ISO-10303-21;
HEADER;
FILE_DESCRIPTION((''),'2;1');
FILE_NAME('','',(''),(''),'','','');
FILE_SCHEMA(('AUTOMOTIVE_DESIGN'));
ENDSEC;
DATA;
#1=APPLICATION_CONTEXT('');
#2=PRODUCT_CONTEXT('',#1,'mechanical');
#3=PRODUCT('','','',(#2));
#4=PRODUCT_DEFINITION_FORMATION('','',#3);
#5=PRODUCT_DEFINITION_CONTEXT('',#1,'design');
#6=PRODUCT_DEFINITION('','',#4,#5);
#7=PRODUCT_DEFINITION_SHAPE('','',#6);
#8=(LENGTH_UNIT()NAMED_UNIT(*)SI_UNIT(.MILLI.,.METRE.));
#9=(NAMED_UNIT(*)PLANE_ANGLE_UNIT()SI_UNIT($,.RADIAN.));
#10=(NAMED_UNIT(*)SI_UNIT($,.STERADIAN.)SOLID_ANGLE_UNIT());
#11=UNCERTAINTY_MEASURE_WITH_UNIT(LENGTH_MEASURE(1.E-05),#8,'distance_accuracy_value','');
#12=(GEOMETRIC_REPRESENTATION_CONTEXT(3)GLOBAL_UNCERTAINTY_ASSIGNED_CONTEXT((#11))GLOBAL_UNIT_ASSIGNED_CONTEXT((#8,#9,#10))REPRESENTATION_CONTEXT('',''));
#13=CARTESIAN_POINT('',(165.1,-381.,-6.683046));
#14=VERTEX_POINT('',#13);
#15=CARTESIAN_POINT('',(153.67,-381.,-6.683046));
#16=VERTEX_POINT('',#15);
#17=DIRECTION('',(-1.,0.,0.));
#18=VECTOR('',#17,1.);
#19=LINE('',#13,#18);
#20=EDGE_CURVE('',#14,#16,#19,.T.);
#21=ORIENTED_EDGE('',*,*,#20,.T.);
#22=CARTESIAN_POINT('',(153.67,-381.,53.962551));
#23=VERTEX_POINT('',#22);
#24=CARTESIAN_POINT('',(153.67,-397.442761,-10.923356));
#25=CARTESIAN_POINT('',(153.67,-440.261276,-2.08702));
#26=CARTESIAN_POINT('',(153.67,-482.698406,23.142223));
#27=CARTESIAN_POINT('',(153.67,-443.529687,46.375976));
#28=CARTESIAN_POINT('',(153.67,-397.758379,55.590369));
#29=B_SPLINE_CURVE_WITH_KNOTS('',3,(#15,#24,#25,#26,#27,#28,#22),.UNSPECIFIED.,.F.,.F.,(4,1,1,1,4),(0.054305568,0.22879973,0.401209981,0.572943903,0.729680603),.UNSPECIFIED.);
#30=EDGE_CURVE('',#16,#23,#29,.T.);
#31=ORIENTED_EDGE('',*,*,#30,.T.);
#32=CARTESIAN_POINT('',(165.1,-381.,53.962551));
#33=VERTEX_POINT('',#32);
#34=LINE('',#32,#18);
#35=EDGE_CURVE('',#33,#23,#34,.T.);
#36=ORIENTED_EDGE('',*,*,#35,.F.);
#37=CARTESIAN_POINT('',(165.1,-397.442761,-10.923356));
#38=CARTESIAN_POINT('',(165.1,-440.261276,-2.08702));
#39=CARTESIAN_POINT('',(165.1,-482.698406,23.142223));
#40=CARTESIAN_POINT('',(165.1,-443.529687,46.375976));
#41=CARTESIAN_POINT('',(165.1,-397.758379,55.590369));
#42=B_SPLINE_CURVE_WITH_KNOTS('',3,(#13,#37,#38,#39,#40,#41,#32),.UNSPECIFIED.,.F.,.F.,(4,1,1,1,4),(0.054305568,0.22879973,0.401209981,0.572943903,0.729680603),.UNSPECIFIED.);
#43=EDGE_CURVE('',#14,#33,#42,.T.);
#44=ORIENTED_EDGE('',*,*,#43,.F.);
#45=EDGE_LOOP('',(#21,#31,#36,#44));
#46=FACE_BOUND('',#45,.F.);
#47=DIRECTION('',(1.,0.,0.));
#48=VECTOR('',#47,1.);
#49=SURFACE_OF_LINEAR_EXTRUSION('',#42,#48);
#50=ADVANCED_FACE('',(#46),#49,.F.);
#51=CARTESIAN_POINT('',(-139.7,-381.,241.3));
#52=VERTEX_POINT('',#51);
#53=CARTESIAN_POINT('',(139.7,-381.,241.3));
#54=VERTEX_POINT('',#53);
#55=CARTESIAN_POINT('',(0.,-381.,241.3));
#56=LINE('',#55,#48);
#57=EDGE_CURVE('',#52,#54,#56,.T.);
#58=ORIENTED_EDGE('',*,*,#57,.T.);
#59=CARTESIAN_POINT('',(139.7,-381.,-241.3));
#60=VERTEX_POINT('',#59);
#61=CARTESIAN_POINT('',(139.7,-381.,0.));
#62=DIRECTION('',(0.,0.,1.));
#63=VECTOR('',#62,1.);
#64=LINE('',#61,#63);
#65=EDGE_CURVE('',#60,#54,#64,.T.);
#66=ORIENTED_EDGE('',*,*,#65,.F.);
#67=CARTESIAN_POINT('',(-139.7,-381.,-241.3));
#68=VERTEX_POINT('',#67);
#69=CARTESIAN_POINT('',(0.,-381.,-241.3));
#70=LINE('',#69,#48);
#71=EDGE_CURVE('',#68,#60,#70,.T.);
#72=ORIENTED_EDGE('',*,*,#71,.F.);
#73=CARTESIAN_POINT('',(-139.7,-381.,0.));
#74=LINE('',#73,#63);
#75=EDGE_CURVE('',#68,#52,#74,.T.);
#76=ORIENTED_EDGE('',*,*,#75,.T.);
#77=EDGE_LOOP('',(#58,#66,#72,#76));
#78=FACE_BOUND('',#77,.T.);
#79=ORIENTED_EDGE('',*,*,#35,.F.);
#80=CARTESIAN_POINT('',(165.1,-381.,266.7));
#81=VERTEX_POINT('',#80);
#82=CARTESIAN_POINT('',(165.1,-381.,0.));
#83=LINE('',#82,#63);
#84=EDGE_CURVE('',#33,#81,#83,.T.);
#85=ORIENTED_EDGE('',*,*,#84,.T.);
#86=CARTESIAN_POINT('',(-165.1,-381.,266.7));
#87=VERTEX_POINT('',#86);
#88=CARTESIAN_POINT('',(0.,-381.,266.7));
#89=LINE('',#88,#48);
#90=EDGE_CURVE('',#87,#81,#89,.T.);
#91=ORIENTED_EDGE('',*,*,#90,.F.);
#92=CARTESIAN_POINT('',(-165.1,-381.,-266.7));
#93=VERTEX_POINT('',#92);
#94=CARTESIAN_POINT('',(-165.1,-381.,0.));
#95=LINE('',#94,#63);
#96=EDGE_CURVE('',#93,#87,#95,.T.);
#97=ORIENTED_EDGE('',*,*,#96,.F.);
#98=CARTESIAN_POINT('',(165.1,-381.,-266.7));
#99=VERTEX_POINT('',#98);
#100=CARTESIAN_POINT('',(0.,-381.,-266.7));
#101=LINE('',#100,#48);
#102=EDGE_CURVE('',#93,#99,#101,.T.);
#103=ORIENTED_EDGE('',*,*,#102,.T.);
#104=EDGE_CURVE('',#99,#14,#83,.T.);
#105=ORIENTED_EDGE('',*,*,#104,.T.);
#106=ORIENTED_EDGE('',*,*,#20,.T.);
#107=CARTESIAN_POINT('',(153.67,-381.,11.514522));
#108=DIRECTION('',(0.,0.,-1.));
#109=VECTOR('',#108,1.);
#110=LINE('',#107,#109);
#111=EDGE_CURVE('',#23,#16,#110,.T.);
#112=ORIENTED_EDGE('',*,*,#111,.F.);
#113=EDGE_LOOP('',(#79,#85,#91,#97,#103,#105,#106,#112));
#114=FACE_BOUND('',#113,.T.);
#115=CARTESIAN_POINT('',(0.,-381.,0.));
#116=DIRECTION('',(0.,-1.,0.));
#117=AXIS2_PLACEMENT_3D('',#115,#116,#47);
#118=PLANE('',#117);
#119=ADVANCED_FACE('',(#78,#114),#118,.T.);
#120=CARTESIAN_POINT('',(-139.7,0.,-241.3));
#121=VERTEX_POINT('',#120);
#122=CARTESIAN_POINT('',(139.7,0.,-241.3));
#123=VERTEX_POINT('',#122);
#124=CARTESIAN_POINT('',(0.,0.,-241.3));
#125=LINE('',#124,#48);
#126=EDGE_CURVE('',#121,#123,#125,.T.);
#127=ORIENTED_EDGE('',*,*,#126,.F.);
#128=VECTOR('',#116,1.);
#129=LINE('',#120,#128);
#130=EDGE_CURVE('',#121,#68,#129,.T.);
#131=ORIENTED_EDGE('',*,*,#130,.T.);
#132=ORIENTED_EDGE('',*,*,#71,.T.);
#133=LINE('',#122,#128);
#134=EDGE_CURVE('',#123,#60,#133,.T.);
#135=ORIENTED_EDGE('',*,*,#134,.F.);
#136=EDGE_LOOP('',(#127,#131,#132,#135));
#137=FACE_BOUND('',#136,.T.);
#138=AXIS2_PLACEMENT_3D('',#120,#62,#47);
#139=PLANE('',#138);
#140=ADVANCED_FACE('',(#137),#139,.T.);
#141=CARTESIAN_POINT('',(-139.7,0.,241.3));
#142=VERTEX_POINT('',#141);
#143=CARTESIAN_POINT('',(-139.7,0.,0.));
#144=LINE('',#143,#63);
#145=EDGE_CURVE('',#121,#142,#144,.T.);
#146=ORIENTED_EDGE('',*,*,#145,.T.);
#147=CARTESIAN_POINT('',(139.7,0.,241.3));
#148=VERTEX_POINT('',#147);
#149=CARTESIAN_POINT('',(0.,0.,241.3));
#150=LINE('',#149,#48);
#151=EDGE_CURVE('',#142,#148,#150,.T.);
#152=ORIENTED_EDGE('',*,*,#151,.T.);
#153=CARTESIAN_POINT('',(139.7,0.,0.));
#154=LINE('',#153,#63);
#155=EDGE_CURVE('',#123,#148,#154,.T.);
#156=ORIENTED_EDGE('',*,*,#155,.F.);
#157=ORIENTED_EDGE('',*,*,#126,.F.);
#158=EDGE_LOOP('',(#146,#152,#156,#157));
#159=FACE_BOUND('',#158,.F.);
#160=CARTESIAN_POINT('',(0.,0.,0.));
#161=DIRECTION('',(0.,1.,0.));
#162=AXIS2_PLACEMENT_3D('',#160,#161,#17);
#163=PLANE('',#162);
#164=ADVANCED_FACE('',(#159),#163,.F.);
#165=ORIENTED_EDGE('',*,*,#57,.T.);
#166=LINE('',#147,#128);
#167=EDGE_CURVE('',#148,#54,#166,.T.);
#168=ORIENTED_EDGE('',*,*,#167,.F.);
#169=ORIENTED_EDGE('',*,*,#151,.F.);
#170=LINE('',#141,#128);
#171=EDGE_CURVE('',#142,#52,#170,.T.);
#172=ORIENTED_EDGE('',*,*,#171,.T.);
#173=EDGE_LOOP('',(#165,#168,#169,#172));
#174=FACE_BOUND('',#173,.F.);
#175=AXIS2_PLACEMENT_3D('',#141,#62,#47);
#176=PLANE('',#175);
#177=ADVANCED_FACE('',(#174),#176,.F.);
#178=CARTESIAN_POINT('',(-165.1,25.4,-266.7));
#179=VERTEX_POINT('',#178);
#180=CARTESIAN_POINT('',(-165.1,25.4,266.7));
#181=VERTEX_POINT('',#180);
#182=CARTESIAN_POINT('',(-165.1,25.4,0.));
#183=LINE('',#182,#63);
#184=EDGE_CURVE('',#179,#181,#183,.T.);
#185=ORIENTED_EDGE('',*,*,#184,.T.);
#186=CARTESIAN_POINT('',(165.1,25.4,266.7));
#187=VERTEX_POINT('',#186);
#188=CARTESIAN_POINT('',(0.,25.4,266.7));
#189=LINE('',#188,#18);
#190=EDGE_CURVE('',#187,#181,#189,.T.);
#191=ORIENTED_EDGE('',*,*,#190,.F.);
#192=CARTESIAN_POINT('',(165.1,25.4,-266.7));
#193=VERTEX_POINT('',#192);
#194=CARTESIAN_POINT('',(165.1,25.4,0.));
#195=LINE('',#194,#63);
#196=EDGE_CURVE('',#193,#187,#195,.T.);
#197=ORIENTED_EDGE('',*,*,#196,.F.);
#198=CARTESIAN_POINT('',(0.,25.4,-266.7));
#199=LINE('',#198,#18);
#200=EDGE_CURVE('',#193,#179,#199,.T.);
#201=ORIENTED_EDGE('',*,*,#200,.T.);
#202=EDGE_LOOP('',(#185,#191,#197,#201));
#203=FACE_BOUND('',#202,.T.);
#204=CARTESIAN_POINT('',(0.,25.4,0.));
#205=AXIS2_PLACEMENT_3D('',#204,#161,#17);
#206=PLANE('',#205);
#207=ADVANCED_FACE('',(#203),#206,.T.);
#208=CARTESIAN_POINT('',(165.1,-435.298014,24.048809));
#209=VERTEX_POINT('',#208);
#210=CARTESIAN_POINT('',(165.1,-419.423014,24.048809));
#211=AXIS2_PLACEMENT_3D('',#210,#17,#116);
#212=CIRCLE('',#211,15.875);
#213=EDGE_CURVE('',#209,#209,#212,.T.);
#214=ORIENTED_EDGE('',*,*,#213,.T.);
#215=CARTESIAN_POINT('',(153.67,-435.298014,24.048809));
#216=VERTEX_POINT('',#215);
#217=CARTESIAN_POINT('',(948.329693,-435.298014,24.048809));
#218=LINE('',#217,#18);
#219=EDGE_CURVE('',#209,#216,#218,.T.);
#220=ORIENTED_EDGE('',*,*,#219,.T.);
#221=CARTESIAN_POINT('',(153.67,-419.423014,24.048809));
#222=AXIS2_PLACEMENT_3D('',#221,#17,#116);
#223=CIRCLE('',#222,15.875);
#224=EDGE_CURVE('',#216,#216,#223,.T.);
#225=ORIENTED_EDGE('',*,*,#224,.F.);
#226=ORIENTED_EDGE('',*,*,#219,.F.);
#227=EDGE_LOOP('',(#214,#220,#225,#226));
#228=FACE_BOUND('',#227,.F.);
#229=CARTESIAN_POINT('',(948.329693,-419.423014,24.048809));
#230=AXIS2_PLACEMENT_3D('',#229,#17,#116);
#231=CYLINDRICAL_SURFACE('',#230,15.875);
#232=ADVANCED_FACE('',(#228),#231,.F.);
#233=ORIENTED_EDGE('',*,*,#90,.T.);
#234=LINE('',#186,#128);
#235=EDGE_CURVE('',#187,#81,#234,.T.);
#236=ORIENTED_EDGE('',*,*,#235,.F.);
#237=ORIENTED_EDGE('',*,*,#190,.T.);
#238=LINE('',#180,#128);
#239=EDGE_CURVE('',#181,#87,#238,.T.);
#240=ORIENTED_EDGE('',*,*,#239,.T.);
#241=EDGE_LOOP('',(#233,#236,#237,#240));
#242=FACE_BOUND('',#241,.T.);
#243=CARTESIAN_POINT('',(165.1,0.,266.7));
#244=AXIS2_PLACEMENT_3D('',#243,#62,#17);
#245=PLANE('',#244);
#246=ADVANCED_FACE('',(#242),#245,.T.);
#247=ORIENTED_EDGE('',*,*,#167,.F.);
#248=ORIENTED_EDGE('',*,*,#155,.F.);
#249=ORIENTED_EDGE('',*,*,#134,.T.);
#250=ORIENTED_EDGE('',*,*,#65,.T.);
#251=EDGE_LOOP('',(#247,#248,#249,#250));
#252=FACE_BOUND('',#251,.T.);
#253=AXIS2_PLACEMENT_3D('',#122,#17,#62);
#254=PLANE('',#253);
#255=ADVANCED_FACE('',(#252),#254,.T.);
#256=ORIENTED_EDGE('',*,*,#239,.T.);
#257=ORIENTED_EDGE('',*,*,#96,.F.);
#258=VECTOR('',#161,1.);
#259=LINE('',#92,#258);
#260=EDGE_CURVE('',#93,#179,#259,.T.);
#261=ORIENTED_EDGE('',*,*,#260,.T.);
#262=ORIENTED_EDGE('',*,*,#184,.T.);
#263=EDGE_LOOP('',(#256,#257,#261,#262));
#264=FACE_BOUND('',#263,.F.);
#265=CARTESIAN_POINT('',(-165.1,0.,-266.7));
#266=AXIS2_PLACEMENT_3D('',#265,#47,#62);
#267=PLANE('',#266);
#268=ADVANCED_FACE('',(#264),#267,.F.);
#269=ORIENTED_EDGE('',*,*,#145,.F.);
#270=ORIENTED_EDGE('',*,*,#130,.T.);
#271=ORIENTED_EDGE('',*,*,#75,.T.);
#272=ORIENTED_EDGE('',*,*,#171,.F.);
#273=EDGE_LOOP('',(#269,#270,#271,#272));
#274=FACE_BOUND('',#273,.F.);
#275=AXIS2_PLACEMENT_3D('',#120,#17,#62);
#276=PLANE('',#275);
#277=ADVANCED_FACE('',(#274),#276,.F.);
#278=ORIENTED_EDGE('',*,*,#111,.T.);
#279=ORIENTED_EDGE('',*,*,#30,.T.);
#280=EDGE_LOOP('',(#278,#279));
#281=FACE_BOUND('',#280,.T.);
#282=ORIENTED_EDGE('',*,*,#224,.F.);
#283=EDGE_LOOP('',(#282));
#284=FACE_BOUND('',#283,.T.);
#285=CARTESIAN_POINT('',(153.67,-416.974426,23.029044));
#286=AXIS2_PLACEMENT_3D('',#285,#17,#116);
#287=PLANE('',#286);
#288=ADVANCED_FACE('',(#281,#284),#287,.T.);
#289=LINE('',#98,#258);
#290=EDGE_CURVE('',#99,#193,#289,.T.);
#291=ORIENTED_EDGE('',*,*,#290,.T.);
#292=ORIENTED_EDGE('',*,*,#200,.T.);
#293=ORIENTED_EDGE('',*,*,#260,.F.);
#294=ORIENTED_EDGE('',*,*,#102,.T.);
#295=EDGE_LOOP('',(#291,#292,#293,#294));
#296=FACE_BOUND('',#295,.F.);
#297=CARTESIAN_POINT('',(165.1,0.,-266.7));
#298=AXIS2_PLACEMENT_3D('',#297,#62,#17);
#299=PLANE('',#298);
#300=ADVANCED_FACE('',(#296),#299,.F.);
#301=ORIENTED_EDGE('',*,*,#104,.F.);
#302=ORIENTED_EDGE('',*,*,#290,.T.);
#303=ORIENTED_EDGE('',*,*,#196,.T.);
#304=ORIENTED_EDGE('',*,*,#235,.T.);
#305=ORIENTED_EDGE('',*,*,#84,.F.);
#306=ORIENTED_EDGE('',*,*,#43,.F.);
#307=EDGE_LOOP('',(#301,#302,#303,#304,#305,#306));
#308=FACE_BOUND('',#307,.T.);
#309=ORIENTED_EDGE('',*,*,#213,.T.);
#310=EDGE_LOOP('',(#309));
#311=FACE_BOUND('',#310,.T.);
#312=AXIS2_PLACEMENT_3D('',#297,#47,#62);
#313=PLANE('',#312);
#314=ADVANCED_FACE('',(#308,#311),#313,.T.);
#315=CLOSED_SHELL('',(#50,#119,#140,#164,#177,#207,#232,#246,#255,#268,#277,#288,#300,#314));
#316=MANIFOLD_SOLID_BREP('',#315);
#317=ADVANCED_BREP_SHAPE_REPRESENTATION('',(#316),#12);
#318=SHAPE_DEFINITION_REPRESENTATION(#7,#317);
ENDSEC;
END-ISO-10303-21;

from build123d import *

# Parameters (mm, degrees)
F0_W     = 330.2
F0_H     = 533.4
F0_W_2   = 279.4
F0_H_2   = 482.6
F1_DEPTH = 381
F3_DEPTH = 11.43
F5_D     = 31.75
F6_W     = 330.2
F6_H     = 533.4
F7_DEPTH = 25.4


with BuildPart() as f1:
    # F0 (on Front) → F1 (new body)
    with BuildSketch(Plane.XZ):
        Rectangle(F0_W, F0_H)
        Rectangle(F0_W_2, F0_H_2, mode=Mode.SUBTRACT)
    extrude(amount=F1_DEPTH)

    # F2 (on face) → F3 (join)
    with BuildSketch(Plane.YZ.offset(165.1)):
        with BuildLine():
            add(Edge.make_bspline(
                [(-381, -6.6830463366), (-397.4427610563, -10.9233558088), (-440.2612759163, -2.0870202582), (-482.6984064218, 23.1422229449), (-443.5296874883, 46.3759759497), (-397.7583791554, 55.5903688255), (-381, 53.9625514371)],
                knots=[0.054305568, 0.054305568, 0.054305568, 0.054305568, 0.2287997299, 0.4012099815, 0.5729439025, 0.7296806034, 0.7296806034, 0.7296806034, 0.7296806034], degree=3))
            Line((-381, -6.6830463366), (-381, 53.9625514371))
        make_face()
        with BuildLine():
            add(Edge.make_bspline(
                [(-367.3923313618, 0), (-371.2589549432, -3.2025358081), (-375.8827314956, -5.3633894957), (-381, -6.6830463366)],
                knots=[0, 0, 0, 0, 0.054305568, 0.054305568, 0.054305568, 0.054305568], degree=3))
            add(Edge.make_bspline(
                [(-381, 53.9625514371), (-372.0113951219, 53.0894474703), (-347.8101498957, 44.708864678), (-354.1310052856, 10.9837098771), (-367.3923313618, 0)],
                knots=[0.7296806034, 0.7296806034, 0.7296806034, 0.7296806034, 0.8137486544, 1, 1, 1, 1], degree=3))
            Line((-381, 53.9625514371), (-381, -6.6830463366))
        make_face()
    extrude(amount=-F3_DEPTH)

    # F5 (through all)
    with Locations(Plane.YZ.offset(165.1)):
        with Locations((-419.4230139256, 24.0488089621)):
            Hole(F5_D / 2)

    # F6 (on face) → F7 (join)
    with BuildSketch(Plane(origin=(0, 0, 0), x_dir=(-1, 0, 0), z_dir=(0, 1, 0))):
        Rectangle(F6_W, F6_H)
    extrude(amount=F7_DEPTH)


solid = f1.part
